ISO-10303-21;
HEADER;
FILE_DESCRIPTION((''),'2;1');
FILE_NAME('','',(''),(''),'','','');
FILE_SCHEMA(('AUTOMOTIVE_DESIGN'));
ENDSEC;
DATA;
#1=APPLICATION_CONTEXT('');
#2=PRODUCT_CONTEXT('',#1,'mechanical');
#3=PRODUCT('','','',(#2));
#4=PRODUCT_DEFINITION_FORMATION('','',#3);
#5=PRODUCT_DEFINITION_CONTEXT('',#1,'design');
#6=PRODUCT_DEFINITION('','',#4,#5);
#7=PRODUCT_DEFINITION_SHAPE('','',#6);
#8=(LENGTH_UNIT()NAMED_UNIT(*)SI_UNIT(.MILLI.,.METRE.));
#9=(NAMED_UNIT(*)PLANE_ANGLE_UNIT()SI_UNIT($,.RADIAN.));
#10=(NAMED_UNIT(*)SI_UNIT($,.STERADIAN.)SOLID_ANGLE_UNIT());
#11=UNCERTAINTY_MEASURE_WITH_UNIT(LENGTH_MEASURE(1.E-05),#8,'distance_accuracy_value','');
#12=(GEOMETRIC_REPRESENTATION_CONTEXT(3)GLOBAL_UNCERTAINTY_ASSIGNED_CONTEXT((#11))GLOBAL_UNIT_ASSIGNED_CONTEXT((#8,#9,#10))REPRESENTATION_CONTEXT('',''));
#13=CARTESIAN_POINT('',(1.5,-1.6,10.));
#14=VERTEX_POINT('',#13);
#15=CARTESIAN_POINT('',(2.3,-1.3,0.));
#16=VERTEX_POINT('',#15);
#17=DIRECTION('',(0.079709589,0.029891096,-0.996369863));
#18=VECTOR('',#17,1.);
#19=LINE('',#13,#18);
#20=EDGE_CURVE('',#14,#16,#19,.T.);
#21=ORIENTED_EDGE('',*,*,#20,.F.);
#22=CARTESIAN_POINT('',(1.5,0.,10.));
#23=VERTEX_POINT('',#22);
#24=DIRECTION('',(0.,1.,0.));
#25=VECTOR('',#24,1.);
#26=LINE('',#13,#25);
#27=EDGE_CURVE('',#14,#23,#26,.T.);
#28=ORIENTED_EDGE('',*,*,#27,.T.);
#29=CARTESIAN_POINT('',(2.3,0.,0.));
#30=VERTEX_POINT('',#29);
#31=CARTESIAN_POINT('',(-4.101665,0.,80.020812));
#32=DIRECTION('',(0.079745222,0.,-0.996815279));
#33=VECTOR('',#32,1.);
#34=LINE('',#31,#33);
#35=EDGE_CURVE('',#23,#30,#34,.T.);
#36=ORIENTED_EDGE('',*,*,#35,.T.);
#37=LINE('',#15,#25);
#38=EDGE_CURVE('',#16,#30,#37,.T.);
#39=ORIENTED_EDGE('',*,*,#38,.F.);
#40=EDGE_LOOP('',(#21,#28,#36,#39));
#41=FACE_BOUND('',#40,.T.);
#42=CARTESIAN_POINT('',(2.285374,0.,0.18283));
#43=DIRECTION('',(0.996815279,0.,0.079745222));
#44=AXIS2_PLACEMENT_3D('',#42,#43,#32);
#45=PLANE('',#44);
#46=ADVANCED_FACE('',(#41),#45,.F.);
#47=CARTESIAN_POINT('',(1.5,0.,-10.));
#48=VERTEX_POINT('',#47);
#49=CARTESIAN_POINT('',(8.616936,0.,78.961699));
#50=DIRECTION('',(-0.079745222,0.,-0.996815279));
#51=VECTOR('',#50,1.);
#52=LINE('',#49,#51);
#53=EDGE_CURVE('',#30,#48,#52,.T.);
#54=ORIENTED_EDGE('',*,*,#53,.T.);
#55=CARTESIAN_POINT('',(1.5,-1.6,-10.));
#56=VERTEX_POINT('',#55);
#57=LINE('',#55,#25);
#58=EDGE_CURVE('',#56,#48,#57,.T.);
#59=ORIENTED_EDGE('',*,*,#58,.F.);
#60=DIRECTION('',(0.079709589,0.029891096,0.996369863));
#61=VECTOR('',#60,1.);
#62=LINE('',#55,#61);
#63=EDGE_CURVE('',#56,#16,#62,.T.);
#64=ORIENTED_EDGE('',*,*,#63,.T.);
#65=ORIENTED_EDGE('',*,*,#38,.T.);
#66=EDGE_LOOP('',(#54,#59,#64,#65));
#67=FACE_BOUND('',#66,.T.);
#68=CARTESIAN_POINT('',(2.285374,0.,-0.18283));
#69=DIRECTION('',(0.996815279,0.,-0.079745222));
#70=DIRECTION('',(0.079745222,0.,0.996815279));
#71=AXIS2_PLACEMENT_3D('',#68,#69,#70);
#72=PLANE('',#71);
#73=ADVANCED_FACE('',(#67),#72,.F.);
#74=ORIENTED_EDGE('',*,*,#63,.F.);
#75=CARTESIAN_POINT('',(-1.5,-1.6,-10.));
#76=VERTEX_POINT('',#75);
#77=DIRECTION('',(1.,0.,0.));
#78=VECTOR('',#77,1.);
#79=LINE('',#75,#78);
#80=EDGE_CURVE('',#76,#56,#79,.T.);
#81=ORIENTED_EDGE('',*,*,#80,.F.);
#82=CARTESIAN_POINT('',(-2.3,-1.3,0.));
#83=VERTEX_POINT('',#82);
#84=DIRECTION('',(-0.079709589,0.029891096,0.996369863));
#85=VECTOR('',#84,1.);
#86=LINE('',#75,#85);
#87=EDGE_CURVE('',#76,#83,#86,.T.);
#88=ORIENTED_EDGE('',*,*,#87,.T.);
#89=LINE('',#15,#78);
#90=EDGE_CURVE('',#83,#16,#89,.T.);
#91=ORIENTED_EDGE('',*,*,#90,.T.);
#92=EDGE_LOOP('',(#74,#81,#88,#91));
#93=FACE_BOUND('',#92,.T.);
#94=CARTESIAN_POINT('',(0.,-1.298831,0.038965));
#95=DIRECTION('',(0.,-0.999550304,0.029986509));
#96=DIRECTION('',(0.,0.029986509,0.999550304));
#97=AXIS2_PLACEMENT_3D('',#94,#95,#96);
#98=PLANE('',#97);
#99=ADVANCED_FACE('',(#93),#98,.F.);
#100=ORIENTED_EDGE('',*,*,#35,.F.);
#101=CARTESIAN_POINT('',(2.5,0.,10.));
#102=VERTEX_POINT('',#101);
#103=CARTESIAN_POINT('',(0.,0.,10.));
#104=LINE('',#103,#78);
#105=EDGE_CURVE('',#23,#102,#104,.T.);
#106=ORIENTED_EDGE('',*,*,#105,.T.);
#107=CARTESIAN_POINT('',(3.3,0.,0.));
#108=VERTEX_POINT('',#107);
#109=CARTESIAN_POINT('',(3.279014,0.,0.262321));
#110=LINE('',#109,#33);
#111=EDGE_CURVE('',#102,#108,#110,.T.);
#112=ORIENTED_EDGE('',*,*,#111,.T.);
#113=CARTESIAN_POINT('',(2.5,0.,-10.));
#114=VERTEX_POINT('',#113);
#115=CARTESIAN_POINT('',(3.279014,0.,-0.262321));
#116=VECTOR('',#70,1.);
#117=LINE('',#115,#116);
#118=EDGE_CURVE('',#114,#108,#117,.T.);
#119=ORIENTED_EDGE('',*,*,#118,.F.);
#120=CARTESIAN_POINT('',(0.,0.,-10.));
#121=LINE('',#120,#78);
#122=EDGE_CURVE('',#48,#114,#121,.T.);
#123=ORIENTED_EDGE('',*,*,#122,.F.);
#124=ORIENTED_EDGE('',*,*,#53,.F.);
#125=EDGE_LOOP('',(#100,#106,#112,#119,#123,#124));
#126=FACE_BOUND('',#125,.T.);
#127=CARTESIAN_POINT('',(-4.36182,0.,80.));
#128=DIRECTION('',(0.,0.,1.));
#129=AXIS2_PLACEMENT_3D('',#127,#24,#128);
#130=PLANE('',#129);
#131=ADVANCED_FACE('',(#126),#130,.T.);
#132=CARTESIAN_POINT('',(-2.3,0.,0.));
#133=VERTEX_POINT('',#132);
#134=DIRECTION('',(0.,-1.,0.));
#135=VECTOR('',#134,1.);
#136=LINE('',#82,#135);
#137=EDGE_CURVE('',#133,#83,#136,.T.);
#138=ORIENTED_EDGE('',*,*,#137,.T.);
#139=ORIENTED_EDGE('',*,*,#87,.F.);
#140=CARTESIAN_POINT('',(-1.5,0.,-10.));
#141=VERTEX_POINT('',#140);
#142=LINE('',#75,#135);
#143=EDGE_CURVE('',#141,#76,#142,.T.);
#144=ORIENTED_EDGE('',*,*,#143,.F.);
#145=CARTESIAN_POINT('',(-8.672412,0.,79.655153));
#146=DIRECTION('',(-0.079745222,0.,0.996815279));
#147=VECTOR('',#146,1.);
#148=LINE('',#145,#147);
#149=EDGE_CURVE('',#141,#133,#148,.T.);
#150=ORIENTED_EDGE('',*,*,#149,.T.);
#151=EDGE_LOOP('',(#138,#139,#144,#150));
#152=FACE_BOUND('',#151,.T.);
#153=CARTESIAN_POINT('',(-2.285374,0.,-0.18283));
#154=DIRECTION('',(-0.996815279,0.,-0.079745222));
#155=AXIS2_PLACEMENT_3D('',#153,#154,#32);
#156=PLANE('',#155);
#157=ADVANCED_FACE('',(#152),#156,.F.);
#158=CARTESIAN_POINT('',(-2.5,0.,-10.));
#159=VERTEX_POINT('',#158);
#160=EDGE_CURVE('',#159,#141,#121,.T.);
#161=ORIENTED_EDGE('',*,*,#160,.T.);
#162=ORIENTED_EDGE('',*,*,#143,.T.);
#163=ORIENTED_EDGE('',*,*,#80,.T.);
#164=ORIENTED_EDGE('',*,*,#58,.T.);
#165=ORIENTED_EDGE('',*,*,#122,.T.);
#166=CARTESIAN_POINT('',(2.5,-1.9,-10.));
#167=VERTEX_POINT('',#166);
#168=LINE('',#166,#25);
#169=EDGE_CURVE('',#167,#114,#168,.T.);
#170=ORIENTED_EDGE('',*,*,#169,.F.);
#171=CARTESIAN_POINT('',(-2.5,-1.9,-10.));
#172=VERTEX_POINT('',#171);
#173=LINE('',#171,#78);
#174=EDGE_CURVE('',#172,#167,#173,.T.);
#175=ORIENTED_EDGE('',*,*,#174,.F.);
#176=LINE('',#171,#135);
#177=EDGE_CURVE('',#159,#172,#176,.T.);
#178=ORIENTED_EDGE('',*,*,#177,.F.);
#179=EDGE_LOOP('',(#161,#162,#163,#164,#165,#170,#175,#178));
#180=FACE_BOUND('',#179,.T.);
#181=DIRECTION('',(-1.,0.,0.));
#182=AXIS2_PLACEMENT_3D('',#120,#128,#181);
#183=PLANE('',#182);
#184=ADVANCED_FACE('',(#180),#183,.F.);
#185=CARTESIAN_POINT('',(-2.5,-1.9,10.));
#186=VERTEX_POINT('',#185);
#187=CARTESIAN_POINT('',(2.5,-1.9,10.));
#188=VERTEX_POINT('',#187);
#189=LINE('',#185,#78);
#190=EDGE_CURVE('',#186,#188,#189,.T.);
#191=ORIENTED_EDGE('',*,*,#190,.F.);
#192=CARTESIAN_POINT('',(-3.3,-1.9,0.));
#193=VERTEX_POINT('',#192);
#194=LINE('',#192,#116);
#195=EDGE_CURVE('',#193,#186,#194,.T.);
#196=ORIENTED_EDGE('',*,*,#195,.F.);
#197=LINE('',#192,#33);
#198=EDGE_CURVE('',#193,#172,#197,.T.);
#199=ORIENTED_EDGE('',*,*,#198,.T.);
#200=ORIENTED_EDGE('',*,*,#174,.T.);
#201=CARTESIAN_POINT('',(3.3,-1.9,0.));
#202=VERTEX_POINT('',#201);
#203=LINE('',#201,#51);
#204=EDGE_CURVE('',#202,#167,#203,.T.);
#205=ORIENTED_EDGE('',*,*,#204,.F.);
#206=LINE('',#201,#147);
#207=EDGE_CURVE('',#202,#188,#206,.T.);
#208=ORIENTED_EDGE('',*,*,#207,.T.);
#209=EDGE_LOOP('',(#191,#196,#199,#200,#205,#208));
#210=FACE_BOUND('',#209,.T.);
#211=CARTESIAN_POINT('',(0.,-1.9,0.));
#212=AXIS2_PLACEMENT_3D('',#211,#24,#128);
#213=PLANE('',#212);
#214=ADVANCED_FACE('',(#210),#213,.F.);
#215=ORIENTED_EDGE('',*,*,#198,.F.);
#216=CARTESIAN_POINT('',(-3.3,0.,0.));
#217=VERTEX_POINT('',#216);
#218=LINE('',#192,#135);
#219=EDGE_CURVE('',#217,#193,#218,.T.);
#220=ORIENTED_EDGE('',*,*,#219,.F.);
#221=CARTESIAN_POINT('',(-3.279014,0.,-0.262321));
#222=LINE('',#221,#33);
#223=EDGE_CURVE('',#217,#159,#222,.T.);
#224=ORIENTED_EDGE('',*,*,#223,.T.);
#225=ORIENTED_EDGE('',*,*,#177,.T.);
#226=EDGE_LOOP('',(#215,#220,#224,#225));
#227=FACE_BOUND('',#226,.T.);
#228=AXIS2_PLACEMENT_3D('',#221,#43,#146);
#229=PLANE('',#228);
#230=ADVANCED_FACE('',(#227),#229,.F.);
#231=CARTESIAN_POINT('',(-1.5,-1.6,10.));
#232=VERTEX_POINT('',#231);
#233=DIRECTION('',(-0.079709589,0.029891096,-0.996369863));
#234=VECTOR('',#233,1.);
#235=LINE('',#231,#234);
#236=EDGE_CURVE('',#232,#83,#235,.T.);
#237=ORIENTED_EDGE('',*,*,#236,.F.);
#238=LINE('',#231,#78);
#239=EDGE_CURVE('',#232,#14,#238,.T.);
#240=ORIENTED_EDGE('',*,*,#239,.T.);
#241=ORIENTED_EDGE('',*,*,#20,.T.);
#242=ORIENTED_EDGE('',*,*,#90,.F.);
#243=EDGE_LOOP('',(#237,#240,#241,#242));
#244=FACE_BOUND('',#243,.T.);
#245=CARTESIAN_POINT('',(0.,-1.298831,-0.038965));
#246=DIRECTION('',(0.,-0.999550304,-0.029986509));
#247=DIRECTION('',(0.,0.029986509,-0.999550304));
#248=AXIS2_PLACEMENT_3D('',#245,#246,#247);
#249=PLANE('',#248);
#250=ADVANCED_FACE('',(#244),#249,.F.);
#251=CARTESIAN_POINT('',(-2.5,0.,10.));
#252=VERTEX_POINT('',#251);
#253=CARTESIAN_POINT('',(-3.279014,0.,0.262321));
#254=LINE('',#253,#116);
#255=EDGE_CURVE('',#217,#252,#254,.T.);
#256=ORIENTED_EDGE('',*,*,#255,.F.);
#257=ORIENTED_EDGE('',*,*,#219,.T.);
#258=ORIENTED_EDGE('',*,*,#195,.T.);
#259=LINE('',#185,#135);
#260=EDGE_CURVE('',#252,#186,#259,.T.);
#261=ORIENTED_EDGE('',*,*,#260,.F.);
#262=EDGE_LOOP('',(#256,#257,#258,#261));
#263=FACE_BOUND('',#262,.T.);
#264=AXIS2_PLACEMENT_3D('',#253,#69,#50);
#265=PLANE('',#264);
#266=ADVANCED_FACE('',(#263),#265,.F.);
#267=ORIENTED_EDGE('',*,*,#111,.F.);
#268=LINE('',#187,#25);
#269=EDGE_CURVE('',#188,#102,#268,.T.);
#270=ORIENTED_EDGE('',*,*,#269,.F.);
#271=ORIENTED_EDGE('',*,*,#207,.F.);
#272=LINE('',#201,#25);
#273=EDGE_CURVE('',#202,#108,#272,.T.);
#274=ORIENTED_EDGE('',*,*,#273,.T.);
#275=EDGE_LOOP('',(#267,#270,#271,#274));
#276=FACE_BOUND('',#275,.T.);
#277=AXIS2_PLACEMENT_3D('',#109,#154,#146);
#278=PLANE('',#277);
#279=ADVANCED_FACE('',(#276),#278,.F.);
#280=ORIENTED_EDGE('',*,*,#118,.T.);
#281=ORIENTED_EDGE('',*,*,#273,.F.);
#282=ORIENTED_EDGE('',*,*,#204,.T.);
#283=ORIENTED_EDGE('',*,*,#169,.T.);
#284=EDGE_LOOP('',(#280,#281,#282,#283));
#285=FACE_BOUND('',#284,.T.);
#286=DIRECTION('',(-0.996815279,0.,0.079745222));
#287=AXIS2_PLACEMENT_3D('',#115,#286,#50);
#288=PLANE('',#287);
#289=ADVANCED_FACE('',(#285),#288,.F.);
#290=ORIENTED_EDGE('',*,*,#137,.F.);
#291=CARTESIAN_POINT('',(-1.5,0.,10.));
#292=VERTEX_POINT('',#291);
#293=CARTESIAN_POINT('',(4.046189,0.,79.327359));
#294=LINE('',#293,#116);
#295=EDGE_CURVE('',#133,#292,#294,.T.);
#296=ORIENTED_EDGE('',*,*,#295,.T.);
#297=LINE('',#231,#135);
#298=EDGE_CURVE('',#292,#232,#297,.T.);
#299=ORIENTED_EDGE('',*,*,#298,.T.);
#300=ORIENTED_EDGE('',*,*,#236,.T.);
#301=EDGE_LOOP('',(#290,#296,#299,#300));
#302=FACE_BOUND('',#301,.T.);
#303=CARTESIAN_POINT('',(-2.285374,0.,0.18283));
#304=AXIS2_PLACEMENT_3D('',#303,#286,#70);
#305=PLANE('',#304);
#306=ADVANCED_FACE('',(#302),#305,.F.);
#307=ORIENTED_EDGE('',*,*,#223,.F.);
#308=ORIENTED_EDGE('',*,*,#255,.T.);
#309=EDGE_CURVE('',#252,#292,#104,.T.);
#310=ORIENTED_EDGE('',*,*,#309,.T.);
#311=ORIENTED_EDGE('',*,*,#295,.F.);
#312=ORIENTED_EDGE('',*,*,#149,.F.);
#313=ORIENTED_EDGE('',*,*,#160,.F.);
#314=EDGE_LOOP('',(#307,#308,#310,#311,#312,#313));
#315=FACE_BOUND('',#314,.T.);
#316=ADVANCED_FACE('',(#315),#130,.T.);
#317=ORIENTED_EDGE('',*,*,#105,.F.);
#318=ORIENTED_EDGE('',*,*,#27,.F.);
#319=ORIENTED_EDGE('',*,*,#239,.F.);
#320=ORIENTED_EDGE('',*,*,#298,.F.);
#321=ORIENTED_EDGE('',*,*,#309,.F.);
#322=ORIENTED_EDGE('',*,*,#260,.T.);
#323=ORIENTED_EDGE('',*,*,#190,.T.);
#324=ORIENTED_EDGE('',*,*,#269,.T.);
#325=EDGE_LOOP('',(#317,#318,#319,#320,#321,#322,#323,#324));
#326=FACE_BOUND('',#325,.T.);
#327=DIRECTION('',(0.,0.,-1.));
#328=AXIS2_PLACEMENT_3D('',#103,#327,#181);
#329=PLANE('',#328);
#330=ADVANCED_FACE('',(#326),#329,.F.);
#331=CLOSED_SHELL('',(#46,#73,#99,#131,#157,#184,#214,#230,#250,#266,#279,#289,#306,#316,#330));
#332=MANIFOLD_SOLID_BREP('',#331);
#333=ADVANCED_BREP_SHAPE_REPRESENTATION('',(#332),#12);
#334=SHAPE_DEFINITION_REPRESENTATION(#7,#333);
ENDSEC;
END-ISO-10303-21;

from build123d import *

# Parameters (mm, degrees)
ESBO_O3_W        = 10.701271156
ESBO_O3_H        = 3.779396545
CORTE_MEIO_DEPTH = 80


with BuildPart() as part:
    # Esboço1 → Loft1 section 0
    with BuildSketch(Plane.XY):
        with BuildLine():
            Line((-3.3, -1.9), (3.3, -1.9))
            Line((3.3, -1.9), (3.3, 1.9))
            Line((3.3, 1.9), (-3.3, 1.9))
            Line((-3.3, 1.9), (-3.3, -1.9))
        make_face()
    # Esboço2 → Loft1 section 1
    with BuildSketch(Plane.XY.offset(10)):
        with BuildLine():
            Line((-2.5, -1.9), (2.5, -1.9))
            Line((2.5, -1.9), (2.5, 1.9))
            Line((2.5, 1.9), (-2.5, 1.9))
            Line((-2.5, 1.9), (-2.5, -1.9))
        make_face()
    loft1 = loft()

    # Esboço3 → Corte Meio (cut)
    with BuildSketch(Plane.XY):
        with Locations((0.988815263, 1.889698273)):
            Rectangle(ESBO_O3_W, ESBO_O3_H)
    corte_meio = extrude(amount=CORTE_MEIO_DEPTH, mode=Mode.SUBTRACT)

    # Esboço6 → Loft de corte1 section 0
    with BuildSketch(Plane.XY.offset(10)):
        with BuildLine():
            Line((-1.5, -1.6), (1.5, -1.6))
            Line((1.5, -1.6), (1.5, 1.6))
            Line((1.5, 1.6), (-1.5, 1.6))
            Line((-1.5, 1.6), (-1.5, -1.6))
        make_face()
    # Esboço5 → Loft de corte1 section 1
    with BuildSketch(Plane.XY):
        with BuildLine():
            Line((2.3, -1.3), (-2.3, -1.3))
            Line((-2.3, -1.3), (-2.3, 1.3))
            Line((-2.3, 1.3), (2.3, 1.3))
            Line((2.3, 1.3), (2.3, -1.3))
        make_face()
    loft_de_corte1 = loft(mode=Mode.SUBTRACT)

    # Espelhar1: Loft1 across plane
    add(loft1.mirror(Plane.XY))

    # Espelhar2: Corte Meio across plane
    add(corte_meio.mirror(Plane.XY), mode=Mode.SUBTRACT)

    # Espelhar3: Loft de corte1 across plane
    add(loft_de_corte1.mirror(Plane.XY), mode=Mode.SUBTRACT)


solid = part.part
